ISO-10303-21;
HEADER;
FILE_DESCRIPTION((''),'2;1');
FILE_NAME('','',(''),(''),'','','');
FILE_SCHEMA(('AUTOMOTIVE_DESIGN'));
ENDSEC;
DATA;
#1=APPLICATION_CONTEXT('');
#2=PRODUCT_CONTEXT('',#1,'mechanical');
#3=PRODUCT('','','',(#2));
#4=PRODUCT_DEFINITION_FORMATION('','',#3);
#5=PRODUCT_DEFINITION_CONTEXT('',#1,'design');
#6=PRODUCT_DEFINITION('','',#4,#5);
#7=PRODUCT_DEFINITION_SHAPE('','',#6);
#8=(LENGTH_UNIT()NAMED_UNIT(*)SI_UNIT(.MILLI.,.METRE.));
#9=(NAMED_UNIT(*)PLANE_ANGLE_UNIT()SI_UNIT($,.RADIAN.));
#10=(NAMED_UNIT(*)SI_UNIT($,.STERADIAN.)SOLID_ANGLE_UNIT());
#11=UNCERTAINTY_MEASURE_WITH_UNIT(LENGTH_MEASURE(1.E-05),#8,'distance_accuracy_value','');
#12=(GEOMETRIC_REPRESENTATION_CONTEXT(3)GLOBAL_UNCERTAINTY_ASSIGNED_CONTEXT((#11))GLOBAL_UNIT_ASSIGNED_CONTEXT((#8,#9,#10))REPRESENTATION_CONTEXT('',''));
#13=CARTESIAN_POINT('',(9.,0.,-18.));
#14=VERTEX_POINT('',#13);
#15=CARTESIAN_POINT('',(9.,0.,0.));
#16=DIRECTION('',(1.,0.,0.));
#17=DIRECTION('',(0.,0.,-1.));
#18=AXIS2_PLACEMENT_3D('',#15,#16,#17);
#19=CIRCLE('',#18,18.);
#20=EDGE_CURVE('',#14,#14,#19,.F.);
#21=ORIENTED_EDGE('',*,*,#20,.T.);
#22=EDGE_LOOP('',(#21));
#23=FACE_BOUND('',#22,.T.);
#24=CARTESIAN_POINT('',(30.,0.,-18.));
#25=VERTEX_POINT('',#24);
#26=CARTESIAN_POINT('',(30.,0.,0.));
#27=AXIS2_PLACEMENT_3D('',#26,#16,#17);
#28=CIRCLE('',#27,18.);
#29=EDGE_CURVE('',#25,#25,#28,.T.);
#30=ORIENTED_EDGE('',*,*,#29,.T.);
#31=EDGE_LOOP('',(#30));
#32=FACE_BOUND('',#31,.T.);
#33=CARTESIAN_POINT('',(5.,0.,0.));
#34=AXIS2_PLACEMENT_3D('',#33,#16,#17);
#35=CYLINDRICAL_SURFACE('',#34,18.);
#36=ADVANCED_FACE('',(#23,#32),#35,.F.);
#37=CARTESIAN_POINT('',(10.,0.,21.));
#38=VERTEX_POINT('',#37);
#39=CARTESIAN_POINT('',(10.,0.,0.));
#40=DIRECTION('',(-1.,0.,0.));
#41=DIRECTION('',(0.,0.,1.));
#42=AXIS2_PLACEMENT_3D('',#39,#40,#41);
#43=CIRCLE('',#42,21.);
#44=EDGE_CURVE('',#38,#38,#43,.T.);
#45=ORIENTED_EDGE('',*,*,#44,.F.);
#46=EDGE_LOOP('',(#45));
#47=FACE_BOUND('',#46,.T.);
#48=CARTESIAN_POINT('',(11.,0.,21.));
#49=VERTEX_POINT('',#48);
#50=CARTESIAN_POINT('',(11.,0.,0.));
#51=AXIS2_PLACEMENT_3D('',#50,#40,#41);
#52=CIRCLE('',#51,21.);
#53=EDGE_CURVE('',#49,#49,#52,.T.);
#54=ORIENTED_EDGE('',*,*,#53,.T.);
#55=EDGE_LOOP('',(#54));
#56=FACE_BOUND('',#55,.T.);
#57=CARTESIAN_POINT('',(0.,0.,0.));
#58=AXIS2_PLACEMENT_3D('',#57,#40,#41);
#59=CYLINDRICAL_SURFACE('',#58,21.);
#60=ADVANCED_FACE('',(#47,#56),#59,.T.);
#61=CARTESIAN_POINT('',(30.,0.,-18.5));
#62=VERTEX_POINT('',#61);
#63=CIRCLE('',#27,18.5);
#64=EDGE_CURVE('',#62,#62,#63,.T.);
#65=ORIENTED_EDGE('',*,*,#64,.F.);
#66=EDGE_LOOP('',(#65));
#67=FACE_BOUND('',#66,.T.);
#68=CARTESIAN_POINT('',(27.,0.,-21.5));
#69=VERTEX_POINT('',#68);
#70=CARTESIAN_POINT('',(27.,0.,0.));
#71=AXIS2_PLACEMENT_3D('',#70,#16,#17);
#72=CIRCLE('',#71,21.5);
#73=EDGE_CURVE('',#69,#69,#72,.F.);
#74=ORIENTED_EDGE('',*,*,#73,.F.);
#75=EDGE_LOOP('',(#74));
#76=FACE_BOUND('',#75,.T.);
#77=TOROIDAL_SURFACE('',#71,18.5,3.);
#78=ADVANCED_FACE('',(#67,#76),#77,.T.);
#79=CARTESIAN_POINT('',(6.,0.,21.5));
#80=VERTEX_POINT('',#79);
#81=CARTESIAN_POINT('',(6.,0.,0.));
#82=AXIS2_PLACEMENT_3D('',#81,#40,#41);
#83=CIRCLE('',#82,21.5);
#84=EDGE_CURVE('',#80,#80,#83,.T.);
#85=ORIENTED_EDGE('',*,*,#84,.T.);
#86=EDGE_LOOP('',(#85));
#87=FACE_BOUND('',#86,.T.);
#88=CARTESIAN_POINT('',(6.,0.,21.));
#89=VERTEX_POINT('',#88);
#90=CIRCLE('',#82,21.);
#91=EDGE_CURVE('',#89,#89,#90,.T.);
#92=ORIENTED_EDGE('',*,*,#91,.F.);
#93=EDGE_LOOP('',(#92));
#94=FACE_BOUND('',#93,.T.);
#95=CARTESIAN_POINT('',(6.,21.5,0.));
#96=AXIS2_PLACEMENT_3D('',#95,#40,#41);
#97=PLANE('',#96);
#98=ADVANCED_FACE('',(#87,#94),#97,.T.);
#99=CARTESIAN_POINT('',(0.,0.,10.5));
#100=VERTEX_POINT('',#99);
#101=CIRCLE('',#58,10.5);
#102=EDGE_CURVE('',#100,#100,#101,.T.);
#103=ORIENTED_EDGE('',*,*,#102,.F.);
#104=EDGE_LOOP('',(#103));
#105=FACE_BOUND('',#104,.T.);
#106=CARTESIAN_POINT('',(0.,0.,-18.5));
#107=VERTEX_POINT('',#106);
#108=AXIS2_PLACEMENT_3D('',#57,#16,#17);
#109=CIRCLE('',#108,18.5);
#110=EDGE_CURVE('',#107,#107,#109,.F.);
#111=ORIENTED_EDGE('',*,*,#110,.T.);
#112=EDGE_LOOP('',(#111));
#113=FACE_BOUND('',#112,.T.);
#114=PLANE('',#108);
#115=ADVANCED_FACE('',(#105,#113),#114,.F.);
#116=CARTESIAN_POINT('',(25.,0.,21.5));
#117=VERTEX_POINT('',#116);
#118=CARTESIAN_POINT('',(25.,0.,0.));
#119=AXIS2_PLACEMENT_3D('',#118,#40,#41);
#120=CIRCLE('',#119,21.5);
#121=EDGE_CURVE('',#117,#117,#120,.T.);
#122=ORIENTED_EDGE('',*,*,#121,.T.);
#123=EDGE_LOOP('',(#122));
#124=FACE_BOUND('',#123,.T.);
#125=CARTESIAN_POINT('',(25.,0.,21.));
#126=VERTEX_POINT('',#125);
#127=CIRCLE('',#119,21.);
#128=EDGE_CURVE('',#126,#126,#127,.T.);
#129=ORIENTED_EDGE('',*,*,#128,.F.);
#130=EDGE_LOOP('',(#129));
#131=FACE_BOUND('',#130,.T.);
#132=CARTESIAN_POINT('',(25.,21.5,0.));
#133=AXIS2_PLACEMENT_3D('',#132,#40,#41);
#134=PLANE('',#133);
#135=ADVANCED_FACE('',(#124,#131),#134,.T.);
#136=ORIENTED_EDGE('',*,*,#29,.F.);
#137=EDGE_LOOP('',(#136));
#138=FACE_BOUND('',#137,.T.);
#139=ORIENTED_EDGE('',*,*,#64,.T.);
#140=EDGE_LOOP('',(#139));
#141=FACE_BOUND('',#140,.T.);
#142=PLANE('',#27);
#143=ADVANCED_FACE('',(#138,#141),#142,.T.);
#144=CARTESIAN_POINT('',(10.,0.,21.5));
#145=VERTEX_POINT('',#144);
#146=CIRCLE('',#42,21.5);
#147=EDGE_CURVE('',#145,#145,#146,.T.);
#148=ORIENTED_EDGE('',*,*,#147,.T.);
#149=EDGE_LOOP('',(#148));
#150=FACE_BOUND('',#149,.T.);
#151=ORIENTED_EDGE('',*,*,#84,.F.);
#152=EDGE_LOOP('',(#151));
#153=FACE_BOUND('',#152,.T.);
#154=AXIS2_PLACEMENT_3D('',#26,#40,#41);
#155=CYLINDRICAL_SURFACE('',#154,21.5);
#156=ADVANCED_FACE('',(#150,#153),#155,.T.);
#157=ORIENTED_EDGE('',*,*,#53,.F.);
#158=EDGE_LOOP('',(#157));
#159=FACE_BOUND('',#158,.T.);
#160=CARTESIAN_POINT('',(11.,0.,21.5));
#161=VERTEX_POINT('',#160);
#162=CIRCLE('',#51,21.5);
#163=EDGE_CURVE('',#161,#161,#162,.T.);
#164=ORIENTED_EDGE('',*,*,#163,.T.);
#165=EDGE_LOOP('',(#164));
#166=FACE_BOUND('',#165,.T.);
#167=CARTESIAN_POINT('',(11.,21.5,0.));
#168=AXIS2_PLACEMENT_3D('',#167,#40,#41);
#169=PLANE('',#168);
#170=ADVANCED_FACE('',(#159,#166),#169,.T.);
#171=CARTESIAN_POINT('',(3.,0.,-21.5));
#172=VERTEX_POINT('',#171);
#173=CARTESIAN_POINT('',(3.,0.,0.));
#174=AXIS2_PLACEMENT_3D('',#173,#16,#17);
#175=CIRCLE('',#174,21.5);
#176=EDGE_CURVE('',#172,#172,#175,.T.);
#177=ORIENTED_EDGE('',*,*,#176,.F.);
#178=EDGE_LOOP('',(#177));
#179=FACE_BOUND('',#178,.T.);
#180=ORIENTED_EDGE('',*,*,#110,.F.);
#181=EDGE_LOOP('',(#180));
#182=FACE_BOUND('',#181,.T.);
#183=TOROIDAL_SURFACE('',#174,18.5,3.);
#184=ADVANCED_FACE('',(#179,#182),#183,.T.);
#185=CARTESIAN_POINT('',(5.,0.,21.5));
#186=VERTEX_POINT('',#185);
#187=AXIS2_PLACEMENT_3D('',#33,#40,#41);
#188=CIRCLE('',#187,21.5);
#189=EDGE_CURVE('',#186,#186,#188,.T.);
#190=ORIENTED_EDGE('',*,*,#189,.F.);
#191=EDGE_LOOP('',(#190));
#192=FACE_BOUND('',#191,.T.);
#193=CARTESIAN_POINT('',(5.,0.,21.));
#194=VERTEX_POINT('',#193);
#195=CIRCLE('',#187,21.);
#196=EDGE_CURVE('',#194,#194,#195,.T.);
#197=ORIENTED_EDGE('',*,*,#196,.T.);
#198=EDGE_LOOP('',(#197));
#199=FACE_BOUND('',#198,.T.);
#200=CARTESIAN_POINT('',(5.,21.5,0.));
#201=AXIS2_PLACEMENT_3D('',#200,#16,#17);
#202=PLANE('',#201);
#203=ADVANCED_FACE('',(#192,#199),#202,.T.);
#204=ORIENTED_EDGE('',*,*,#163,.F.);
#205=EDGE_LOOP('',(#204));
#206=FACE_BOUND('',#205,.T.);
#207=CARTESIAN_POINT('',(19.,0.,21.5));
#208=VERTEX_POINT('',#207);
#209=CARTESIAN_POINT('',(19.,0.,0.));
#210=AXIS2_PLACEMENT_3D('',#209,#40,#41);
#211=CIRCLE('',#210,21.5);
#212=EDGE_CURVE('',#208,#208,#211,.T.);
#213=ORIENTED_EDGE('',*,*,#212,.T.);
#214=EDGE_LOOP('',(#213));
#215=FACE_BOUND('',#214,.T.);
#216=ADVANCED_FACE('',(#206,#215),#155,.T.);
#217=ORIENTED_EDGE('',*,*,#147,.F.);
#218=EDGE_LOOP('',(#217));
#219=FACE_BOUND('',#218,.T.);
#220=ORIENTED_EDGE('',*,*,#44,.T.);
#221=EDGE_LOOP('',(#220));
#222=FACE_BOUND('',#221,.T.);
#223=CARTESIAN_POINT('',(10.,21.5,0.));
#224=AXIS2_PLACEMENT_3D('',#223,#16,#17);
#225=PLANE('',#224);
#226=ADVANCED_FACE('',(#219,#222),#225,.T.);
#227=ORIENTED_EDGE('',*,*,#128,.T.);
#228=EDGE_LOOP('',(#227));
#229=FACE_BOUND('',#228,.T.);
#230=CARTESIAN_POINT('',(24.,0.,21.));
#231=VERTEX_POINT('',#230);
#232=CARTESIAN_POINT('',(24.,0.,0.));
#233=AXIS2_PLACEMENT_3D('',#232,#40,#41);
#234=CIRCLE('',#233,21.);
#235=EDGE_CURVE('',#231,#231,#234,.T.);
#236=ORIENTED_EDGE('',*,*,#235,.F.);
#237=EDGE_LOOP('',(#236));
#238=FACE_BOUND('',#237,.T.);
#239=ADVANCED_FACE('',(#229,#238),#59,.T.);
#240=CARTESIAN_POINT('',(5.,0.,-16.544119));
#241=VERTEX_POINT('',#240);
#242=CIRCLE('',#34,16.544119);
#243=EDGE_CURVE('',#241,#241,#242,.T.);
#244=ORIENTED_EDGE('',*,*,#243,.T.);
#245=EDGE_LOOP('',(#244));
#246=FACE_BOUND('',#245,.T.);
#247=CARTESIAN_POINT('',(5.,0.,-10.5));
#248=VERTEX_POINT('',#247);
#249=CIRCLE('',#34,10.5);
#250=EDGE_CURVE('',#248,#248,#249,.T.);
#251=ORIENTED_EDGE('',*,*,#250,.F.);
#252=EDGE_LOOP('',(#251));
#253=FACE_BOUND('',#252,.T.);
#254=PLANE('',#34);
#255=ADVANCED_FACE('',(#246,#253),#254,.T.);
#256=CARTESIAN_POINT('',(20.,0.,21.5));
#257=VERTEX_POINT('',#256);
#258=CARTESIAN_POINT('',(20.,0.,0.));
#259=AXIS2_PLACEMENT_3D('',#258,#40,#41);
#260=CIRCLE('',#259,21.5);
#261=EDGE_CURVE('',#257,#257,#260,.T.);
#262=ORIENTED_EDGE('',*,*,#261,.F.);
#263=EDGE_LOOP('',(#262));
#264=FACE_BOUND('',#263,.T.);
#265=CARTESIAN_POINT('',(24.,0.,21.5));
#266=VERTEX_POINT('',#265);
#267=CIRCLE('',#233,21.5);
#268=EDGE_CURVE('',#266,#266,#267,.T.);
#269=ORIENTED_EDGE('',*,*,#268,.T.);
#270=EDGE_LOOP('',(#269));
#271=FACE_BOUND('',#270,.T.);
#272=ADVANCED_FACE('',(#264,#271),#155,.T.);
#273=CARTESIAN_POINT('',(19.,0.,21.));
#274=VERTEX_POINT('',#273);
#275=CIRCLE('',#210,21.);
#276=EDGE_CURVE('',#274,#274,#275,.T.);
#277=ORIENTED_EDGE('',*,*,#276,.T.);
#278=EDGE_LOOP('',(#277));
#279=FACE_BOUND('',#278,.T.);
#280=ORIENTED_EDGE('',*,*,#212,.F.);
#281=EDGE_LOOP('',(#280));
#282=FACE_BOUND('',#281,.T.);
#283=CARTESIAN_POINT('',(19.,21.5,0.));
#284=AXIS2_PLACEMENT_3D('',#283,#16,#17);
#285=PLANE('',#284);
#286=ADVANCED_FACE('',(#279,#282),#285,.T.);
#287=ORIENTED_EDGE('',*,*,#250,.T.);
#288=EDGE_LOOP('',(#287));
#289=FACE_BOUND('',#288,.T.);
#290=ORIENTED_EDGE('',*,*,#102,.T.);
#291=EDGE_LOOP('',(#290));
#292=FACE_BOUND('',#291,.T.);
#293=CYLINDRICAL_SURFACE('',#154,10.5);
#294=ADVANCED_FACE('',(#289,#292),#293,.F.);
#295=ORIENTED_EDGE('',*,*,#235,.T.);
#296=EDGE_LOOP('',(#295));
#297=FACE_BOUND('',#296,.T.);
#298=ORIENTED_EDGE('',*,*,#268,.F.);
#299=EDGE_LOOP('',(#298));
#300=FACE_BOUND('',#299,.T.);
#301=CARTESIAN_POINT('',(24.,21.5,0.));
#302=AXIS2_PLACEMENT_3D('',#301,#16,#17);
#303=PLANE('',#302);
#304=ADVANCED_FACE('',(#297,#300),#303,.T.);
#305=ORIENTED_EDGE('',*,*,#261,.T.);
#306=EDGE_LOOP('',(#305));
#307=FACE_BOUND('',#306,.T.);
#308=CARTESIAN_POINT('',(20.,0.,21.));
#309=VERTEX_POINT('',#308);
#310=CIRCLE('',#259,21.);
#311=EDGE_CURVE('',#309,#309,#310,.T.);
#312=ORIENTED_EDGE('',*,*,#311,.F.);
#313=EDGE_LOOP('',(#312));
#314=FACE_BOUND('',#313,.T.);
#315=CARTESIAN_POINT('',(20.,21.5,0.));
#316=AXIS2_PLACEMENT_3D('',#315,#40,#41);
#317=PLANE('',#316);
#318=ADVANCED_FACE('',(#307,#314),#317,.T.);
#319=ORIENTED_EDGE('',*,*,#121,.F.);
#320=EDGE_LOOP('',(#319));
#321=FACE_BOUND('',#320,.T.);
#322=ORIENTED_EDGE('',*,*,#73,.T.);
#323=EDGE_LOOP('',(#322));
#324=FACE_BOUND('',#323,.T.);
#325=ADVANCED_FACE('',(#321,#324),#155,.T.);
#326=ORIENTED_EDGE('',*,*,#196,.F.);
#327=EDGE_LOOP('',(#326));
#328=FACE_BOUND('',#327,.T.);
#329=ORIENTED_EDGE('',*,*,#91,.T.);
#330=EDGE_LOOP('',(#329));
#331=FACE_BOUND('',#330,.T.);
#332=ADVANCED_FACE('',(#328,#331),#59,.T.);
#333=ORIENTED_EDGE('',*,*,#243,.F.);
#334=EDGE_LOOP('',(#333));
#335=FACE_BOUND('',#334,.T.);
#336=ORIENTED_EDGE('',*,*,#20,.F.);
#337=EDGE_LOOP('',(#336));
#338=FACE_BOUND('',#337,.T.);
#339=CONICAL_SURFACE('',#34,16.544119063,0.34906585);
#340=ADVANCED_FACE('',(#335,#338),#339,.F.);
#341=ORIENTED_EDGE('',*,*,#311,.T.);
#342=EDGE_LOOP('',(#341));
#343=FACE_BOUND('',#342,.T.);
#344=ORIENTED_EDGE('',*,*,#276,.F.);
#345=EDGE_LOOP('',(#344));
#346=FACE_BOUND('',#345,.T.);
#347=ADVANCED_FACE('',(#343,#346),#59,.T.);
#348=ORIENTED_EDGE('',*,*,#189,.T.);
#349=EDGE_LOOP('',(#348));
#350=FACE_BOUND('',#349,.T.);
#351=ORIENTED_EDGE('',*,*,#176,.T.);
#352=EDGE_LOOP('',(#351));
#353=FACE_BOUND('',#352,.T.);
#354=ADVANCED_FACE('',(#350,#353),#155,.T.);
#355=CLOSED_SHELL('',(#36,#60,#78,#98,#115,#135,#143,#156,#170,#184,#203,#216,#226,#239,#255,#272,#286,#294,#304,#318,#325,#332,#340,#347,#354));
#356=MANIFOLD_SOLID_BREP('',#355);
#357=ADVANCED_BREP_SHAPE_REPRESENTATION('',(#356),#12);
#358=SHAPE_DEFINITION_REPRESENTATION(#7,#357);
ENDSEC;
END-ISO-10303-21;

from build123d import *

# Parameters (mm, degrees)
SKETCH1_R           = 21.5
BOSS_EXTRUDE1_DEPTH = 30
SKETCH2_R           = 18
CUT_EXTRUDE1_DEPTH  = 25
SKETCH4_R           = 10.5
CUT_EXTRUDE2_DEPTH  = 43.714166268
FILLET1_R           = 3
SKETCH5_W           = 1
SKETCH5_H           = 0.5
CHAMFER1_SIZE       = 4
CHAMFER1_SIZE2      = 1.455880937


with BuildPart() as part:
    # Sketch1 → Boss-Extrude1 (new body)
    with BuildSketch(Plane(origin=(0, 0, 0), x_dir=(0, 0, -1), z_dir=(1, 0, 0))):
        Circle(SKETCH1_R)
    extrude(amount=BOSS_EXTRUDE1_DEPTH)

    # Sketch2 → Cut-Extrude1 (cut)
    with BuildSketch(Plane(origin=(30, 0, 0), x_dir=(0, 0, -1), z_dir=(1, 0, 0))):
        Circle(SKETCH2_R)
    extrude(amount=-CUT_EXTRUDE1_DEPTH, mode=Mode.SUBTRACT)

    # Sketch4 → Cut-Extrude2 (cut, through all)
    with BuildSketch(Plane.ZY):
        Circle(SKETCH4_R)
    extrude(amount=-CUT_EXTRUDE2_DEPTH, mode=Mode.SUBTRACT)

    # Fillet1
    fillet1_edges = [part.edges().sort_by_distance(p)[0] for p in [
        (0, 0, 21.5),
        (30, 0, 21.5),
    ]]
    fillet(fillet1_edges, radius=FILLET1_R)

    # Sketch5 → Cut-Revolve1 (revolve, cut)
    with BuildSketch(Plane.XY, mode=Mode.PRIVATE) as cut_revolve1_sk:
        with Locations((5.5, 21.25)):
            Rectangle(SKETCH5_W, SKETCH5_H)
        with Locations((24.5, 21.25)):
            Rectangle(SKETCH5_W, SKETCH5_H)
        with Locations((10.5, 21.25)):
            Rectangle(SKETCH5_W, SKETCH5_H)
        with Locations((19.5, 21.25)):
            Rectangle(SKETCH5_W, SKETCH5_H)
    revolve(cut_revolve1_sk.sketch.rotate(Axis((0, 0, 0), (1, 0, 0)), 90), axis=Axis((0, 0, 0), (1, 0, 0)), mode=Mode.SUBTRACT)

    # Chamfer1
    chamfer1_edges = [part.edges().sort_by_distance(p)[0] for p in [
        (5, 0, 18),
    ]]
    chamfer1_side = [part.faces().sort_by_distance(p)[0] for p in [
        (17.5, 0, 18),
    ]]
    chamfer(chamfer1_edges, length=CHAMFER1_SIZE, length2=CHAMFER1_SIZE2, reference=chamfer1_side[0])


solid = part.part
